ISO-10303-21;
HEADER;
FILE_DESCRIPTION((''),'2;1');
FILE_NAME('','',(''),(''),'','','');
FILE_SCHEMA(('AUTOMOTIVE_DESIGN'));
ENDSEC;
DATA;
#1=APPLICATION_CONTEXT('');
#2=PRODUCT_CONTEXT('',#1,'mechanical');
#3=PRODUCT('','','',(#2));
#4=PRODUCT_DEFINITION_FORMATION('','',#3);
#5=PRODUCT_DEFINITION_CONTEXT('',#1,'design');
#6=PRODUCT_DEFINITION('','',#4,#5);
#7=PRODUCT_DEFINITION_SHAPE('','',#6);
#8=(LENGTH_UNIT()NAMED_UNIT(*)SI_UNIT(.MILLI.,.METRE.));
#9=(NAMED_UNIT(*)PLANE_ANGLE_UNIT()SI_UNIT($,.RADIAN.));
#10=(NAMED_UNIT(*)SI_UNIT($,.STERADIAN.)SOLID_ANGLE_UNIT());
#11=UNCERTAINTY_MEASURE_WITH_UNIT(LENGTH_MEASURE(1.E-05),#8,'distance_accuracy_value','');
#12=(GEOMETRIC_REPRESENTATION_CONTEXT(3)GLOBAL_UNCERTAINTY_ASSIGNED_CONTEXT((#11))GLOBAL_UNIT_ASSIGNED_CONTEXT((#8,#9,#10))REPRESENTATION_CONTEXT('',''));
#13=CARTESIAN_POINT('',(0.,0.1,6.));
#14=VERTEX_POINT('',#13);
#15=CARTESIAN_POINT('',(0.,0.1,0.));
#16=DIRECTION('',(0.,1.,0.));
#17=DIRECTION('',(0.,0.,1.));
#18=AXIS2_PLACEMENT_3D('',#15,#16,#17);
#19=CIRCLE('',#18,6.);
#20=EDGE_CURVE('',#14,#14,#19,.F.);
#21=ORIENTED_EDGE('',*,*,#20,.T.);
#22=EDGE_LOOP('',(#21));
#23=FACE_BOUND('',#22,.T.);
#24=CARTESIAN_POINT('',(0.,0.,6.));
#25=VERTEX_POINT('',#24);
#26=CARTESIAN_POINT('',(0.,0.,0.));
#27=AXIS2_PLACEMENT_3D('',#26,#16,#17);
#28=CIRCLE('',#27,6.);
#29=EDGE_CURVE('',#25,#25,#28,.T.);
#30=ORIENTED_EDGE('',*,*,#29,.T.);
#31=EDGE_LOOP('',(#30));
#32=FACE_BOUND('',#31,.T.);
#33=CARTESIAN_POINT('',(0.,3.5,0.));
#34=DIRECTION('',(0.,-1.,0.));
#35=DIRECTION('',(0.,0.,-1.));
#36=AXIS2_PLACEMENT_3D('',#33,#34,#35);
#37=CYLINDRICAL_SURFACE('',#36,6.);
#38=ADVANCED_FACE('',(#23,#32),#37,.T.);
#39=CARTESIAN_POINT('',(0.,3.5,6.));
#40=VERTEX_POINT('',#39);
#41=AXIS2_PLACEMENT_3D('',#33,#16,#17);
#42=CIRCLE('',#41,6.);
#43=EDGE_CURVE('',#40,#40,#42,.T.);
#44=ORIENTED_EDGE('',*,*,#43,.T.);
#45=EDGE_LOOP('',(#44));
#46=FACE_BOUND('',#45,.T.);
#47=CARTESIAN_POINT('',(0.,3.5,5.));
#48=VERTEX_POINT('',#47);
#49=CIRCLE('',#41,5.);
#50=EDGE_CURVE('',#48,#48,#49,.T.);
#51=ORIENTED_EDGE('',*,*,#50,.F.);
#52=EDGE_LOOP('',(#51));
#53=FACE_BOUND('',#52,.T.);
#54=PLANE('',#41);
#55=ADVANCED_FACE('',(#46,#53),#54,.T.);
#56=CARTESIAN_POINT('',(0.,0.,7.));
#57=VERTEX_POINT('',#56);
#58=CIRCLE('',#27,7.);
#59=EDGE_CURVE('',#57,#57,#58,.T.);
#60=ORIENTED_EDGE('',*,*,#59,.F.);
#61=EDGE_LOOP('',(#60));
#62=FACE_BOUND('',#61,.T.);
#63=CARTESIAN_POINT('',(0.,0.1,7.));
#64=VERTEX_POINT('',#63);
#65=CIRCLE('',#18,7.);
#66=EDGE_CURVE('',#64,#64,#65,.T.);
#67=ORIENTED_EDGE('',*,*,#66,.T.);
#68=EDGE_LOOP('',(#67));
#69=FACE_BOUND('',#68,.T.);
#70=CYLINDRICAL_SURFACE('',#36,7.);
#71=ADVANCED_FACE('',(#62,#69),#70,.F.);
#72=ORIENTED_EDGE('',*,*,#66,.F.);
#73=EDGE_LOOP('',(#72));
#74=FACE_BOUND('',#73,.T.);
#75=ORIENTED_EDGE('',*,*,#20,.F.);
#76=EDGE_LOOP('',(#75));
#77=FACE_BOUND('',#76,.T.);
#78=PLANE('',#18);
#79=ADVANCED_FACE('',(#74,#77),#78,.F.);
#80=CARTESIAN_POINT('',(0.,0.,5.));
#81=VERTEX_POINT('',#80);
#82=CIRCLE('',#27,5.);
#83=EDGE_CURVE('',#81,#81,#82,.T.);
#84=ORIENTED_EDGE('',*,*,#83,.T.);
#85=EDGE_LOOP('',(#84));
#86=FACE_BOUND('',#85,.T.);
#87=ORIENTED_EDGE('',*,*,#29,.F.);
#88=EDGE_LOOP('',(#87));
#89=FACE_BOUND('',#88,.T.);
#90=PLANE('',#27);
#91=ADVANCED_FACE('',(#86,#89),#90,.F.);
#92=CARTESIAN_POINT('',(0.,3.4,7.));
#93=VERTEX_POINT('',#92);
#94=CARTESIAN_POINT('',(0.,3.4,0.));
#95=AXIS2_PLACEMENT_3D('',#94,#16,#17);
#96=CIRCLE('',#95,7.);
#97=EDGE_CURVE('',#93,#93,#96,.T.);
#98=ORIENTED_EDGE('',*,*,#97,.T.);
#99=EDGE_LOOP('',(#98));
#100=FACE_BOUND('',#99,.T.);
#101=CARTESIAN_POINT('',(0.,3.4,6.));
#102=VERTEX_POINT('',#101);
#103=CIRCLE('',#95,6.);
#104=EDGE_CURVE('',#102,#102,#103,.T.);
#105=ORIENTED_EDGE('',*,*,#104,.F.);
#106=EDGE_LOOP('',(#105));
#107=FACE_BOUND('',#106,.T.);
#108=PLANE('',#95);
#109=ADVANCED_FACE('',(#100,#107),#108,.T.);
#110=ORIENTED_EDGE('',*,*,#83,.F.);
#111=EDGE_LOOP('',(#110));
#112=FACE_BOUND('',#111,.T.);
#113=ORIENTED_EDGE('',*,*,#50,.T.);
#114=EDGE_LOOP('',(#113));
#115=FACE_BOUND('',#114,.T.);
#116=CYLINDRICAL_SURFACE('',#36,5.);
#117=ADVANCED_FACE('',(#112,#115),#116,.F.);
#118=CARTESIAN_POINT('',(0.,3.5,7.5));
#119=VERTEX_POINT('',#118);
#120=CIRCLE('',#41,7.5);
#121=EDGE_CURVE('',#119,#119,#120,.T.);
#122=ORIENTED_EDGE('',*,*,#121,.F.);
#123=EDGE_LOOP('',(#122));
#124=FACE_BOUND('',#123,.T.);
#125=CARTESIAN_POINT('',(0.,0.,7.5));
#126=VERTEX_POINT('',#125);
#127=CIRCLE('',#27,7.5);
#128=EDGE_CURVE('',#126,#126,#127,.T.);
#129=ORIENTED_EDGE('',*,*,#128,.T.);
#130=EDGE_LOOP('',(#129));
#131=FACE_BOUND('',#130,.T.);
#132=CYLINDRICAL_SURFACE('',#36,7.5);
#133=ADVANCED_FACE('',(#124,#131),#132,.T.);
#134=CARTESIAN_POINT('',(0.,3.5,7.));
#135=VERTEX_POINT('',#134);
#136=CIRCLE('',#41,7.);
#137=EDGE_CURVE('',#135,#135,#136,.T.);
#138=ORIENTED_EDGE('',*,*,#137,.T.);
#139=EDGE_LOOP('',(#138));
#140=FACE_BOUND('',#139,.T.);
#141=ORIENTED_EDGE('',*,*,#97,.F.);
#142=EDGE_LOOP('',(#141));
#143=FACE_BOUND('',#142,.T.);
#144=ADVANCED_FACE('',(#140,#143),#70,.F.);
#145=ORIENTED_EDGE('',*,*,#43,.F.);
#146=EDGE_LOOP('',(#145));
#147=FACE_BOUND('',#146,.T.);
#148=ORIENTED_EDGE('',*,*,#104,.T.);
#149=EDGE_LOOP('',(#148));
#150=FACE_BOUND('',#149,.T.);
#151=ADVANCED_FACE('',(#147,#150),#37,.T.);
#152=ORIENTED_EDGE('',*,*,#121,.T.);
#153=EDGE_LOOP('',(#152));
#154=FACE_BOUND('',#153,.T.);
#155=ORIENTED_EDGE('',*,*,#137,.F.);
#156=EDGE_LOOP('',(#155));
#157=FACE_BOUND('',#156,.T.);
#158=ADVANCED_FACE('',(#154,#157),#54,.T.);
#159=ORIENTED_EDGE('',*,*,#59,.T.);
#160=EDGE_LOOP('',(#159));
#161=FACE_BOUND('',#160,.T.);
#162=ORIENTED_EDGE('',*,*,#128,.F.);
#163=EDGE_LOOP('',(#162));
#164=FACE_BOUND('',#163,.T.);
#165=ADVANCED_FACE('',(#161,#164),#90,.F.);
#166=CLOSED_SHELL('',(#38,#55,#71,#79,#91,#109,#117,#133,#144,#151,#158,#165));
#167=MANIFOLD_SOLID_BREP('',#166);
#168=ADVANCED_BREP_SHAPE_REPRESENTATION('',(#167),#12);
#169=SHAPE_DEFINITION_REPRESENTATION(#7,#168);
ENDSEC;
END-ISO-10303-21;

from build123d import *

# Parameters (mm, degrees)
SKETCH1_R           = 7.5
SKETCH1_R_2         = 7
BOSS_EXTRUDE1_DEPTH = 3.5
SKETCH6_R           = 7
SKETCH6_R_2         = 6
BOSS_EXTRUDE4_DEPTH = 3.3
SKETCH7_R           = 6
SKETCH7_R_2         = 5
BOSS_EXTRUDE5_DEPTH = 3.5


with BuildPart() as part:
    # Sketch1 → Boss-Extrude1 (new body)
    with BuildSketch(Plane(origin=(0, 0, 0), x_dir=(1, 0, 0), z_dir=(0, 1, 0))):
        Circle(SKETCH1_R)
        Circle(SKETCH1_R_2, mode=Mode.SUBTRACT)
    extrude(amount=BOSS_EXTRUDE1_DEPTH)

    # Sketch6 → Boss-Extrude4 (add)
    with BuildSketch(Plane(origin=(0, 0.1, 0), x_dir=(1, 0, 0), z_dir=(0, 1, 0))):
        Circle(SKETCH6_R)
        Circle(SKETCH6_R_2, mode=Mode.SUBTRACT)
    extrude(amount=BOSS_EXTRUDE4_DEPTH)

    # Sketch7 → Boss-Extrude5 (add)
    with BuildSketch(Plane(origin=(0, 0, 0), x_dir=(1, 0, 0), z_dir=(0, 1, 0))):
        Circle(SKETCH7_R)
        Circle(SKETCH7_R_2, mode=Mode.SUBTRACT)
    extrude(amount=BOSS_EXTRUDE5_DEPTH)


solid = part.part
